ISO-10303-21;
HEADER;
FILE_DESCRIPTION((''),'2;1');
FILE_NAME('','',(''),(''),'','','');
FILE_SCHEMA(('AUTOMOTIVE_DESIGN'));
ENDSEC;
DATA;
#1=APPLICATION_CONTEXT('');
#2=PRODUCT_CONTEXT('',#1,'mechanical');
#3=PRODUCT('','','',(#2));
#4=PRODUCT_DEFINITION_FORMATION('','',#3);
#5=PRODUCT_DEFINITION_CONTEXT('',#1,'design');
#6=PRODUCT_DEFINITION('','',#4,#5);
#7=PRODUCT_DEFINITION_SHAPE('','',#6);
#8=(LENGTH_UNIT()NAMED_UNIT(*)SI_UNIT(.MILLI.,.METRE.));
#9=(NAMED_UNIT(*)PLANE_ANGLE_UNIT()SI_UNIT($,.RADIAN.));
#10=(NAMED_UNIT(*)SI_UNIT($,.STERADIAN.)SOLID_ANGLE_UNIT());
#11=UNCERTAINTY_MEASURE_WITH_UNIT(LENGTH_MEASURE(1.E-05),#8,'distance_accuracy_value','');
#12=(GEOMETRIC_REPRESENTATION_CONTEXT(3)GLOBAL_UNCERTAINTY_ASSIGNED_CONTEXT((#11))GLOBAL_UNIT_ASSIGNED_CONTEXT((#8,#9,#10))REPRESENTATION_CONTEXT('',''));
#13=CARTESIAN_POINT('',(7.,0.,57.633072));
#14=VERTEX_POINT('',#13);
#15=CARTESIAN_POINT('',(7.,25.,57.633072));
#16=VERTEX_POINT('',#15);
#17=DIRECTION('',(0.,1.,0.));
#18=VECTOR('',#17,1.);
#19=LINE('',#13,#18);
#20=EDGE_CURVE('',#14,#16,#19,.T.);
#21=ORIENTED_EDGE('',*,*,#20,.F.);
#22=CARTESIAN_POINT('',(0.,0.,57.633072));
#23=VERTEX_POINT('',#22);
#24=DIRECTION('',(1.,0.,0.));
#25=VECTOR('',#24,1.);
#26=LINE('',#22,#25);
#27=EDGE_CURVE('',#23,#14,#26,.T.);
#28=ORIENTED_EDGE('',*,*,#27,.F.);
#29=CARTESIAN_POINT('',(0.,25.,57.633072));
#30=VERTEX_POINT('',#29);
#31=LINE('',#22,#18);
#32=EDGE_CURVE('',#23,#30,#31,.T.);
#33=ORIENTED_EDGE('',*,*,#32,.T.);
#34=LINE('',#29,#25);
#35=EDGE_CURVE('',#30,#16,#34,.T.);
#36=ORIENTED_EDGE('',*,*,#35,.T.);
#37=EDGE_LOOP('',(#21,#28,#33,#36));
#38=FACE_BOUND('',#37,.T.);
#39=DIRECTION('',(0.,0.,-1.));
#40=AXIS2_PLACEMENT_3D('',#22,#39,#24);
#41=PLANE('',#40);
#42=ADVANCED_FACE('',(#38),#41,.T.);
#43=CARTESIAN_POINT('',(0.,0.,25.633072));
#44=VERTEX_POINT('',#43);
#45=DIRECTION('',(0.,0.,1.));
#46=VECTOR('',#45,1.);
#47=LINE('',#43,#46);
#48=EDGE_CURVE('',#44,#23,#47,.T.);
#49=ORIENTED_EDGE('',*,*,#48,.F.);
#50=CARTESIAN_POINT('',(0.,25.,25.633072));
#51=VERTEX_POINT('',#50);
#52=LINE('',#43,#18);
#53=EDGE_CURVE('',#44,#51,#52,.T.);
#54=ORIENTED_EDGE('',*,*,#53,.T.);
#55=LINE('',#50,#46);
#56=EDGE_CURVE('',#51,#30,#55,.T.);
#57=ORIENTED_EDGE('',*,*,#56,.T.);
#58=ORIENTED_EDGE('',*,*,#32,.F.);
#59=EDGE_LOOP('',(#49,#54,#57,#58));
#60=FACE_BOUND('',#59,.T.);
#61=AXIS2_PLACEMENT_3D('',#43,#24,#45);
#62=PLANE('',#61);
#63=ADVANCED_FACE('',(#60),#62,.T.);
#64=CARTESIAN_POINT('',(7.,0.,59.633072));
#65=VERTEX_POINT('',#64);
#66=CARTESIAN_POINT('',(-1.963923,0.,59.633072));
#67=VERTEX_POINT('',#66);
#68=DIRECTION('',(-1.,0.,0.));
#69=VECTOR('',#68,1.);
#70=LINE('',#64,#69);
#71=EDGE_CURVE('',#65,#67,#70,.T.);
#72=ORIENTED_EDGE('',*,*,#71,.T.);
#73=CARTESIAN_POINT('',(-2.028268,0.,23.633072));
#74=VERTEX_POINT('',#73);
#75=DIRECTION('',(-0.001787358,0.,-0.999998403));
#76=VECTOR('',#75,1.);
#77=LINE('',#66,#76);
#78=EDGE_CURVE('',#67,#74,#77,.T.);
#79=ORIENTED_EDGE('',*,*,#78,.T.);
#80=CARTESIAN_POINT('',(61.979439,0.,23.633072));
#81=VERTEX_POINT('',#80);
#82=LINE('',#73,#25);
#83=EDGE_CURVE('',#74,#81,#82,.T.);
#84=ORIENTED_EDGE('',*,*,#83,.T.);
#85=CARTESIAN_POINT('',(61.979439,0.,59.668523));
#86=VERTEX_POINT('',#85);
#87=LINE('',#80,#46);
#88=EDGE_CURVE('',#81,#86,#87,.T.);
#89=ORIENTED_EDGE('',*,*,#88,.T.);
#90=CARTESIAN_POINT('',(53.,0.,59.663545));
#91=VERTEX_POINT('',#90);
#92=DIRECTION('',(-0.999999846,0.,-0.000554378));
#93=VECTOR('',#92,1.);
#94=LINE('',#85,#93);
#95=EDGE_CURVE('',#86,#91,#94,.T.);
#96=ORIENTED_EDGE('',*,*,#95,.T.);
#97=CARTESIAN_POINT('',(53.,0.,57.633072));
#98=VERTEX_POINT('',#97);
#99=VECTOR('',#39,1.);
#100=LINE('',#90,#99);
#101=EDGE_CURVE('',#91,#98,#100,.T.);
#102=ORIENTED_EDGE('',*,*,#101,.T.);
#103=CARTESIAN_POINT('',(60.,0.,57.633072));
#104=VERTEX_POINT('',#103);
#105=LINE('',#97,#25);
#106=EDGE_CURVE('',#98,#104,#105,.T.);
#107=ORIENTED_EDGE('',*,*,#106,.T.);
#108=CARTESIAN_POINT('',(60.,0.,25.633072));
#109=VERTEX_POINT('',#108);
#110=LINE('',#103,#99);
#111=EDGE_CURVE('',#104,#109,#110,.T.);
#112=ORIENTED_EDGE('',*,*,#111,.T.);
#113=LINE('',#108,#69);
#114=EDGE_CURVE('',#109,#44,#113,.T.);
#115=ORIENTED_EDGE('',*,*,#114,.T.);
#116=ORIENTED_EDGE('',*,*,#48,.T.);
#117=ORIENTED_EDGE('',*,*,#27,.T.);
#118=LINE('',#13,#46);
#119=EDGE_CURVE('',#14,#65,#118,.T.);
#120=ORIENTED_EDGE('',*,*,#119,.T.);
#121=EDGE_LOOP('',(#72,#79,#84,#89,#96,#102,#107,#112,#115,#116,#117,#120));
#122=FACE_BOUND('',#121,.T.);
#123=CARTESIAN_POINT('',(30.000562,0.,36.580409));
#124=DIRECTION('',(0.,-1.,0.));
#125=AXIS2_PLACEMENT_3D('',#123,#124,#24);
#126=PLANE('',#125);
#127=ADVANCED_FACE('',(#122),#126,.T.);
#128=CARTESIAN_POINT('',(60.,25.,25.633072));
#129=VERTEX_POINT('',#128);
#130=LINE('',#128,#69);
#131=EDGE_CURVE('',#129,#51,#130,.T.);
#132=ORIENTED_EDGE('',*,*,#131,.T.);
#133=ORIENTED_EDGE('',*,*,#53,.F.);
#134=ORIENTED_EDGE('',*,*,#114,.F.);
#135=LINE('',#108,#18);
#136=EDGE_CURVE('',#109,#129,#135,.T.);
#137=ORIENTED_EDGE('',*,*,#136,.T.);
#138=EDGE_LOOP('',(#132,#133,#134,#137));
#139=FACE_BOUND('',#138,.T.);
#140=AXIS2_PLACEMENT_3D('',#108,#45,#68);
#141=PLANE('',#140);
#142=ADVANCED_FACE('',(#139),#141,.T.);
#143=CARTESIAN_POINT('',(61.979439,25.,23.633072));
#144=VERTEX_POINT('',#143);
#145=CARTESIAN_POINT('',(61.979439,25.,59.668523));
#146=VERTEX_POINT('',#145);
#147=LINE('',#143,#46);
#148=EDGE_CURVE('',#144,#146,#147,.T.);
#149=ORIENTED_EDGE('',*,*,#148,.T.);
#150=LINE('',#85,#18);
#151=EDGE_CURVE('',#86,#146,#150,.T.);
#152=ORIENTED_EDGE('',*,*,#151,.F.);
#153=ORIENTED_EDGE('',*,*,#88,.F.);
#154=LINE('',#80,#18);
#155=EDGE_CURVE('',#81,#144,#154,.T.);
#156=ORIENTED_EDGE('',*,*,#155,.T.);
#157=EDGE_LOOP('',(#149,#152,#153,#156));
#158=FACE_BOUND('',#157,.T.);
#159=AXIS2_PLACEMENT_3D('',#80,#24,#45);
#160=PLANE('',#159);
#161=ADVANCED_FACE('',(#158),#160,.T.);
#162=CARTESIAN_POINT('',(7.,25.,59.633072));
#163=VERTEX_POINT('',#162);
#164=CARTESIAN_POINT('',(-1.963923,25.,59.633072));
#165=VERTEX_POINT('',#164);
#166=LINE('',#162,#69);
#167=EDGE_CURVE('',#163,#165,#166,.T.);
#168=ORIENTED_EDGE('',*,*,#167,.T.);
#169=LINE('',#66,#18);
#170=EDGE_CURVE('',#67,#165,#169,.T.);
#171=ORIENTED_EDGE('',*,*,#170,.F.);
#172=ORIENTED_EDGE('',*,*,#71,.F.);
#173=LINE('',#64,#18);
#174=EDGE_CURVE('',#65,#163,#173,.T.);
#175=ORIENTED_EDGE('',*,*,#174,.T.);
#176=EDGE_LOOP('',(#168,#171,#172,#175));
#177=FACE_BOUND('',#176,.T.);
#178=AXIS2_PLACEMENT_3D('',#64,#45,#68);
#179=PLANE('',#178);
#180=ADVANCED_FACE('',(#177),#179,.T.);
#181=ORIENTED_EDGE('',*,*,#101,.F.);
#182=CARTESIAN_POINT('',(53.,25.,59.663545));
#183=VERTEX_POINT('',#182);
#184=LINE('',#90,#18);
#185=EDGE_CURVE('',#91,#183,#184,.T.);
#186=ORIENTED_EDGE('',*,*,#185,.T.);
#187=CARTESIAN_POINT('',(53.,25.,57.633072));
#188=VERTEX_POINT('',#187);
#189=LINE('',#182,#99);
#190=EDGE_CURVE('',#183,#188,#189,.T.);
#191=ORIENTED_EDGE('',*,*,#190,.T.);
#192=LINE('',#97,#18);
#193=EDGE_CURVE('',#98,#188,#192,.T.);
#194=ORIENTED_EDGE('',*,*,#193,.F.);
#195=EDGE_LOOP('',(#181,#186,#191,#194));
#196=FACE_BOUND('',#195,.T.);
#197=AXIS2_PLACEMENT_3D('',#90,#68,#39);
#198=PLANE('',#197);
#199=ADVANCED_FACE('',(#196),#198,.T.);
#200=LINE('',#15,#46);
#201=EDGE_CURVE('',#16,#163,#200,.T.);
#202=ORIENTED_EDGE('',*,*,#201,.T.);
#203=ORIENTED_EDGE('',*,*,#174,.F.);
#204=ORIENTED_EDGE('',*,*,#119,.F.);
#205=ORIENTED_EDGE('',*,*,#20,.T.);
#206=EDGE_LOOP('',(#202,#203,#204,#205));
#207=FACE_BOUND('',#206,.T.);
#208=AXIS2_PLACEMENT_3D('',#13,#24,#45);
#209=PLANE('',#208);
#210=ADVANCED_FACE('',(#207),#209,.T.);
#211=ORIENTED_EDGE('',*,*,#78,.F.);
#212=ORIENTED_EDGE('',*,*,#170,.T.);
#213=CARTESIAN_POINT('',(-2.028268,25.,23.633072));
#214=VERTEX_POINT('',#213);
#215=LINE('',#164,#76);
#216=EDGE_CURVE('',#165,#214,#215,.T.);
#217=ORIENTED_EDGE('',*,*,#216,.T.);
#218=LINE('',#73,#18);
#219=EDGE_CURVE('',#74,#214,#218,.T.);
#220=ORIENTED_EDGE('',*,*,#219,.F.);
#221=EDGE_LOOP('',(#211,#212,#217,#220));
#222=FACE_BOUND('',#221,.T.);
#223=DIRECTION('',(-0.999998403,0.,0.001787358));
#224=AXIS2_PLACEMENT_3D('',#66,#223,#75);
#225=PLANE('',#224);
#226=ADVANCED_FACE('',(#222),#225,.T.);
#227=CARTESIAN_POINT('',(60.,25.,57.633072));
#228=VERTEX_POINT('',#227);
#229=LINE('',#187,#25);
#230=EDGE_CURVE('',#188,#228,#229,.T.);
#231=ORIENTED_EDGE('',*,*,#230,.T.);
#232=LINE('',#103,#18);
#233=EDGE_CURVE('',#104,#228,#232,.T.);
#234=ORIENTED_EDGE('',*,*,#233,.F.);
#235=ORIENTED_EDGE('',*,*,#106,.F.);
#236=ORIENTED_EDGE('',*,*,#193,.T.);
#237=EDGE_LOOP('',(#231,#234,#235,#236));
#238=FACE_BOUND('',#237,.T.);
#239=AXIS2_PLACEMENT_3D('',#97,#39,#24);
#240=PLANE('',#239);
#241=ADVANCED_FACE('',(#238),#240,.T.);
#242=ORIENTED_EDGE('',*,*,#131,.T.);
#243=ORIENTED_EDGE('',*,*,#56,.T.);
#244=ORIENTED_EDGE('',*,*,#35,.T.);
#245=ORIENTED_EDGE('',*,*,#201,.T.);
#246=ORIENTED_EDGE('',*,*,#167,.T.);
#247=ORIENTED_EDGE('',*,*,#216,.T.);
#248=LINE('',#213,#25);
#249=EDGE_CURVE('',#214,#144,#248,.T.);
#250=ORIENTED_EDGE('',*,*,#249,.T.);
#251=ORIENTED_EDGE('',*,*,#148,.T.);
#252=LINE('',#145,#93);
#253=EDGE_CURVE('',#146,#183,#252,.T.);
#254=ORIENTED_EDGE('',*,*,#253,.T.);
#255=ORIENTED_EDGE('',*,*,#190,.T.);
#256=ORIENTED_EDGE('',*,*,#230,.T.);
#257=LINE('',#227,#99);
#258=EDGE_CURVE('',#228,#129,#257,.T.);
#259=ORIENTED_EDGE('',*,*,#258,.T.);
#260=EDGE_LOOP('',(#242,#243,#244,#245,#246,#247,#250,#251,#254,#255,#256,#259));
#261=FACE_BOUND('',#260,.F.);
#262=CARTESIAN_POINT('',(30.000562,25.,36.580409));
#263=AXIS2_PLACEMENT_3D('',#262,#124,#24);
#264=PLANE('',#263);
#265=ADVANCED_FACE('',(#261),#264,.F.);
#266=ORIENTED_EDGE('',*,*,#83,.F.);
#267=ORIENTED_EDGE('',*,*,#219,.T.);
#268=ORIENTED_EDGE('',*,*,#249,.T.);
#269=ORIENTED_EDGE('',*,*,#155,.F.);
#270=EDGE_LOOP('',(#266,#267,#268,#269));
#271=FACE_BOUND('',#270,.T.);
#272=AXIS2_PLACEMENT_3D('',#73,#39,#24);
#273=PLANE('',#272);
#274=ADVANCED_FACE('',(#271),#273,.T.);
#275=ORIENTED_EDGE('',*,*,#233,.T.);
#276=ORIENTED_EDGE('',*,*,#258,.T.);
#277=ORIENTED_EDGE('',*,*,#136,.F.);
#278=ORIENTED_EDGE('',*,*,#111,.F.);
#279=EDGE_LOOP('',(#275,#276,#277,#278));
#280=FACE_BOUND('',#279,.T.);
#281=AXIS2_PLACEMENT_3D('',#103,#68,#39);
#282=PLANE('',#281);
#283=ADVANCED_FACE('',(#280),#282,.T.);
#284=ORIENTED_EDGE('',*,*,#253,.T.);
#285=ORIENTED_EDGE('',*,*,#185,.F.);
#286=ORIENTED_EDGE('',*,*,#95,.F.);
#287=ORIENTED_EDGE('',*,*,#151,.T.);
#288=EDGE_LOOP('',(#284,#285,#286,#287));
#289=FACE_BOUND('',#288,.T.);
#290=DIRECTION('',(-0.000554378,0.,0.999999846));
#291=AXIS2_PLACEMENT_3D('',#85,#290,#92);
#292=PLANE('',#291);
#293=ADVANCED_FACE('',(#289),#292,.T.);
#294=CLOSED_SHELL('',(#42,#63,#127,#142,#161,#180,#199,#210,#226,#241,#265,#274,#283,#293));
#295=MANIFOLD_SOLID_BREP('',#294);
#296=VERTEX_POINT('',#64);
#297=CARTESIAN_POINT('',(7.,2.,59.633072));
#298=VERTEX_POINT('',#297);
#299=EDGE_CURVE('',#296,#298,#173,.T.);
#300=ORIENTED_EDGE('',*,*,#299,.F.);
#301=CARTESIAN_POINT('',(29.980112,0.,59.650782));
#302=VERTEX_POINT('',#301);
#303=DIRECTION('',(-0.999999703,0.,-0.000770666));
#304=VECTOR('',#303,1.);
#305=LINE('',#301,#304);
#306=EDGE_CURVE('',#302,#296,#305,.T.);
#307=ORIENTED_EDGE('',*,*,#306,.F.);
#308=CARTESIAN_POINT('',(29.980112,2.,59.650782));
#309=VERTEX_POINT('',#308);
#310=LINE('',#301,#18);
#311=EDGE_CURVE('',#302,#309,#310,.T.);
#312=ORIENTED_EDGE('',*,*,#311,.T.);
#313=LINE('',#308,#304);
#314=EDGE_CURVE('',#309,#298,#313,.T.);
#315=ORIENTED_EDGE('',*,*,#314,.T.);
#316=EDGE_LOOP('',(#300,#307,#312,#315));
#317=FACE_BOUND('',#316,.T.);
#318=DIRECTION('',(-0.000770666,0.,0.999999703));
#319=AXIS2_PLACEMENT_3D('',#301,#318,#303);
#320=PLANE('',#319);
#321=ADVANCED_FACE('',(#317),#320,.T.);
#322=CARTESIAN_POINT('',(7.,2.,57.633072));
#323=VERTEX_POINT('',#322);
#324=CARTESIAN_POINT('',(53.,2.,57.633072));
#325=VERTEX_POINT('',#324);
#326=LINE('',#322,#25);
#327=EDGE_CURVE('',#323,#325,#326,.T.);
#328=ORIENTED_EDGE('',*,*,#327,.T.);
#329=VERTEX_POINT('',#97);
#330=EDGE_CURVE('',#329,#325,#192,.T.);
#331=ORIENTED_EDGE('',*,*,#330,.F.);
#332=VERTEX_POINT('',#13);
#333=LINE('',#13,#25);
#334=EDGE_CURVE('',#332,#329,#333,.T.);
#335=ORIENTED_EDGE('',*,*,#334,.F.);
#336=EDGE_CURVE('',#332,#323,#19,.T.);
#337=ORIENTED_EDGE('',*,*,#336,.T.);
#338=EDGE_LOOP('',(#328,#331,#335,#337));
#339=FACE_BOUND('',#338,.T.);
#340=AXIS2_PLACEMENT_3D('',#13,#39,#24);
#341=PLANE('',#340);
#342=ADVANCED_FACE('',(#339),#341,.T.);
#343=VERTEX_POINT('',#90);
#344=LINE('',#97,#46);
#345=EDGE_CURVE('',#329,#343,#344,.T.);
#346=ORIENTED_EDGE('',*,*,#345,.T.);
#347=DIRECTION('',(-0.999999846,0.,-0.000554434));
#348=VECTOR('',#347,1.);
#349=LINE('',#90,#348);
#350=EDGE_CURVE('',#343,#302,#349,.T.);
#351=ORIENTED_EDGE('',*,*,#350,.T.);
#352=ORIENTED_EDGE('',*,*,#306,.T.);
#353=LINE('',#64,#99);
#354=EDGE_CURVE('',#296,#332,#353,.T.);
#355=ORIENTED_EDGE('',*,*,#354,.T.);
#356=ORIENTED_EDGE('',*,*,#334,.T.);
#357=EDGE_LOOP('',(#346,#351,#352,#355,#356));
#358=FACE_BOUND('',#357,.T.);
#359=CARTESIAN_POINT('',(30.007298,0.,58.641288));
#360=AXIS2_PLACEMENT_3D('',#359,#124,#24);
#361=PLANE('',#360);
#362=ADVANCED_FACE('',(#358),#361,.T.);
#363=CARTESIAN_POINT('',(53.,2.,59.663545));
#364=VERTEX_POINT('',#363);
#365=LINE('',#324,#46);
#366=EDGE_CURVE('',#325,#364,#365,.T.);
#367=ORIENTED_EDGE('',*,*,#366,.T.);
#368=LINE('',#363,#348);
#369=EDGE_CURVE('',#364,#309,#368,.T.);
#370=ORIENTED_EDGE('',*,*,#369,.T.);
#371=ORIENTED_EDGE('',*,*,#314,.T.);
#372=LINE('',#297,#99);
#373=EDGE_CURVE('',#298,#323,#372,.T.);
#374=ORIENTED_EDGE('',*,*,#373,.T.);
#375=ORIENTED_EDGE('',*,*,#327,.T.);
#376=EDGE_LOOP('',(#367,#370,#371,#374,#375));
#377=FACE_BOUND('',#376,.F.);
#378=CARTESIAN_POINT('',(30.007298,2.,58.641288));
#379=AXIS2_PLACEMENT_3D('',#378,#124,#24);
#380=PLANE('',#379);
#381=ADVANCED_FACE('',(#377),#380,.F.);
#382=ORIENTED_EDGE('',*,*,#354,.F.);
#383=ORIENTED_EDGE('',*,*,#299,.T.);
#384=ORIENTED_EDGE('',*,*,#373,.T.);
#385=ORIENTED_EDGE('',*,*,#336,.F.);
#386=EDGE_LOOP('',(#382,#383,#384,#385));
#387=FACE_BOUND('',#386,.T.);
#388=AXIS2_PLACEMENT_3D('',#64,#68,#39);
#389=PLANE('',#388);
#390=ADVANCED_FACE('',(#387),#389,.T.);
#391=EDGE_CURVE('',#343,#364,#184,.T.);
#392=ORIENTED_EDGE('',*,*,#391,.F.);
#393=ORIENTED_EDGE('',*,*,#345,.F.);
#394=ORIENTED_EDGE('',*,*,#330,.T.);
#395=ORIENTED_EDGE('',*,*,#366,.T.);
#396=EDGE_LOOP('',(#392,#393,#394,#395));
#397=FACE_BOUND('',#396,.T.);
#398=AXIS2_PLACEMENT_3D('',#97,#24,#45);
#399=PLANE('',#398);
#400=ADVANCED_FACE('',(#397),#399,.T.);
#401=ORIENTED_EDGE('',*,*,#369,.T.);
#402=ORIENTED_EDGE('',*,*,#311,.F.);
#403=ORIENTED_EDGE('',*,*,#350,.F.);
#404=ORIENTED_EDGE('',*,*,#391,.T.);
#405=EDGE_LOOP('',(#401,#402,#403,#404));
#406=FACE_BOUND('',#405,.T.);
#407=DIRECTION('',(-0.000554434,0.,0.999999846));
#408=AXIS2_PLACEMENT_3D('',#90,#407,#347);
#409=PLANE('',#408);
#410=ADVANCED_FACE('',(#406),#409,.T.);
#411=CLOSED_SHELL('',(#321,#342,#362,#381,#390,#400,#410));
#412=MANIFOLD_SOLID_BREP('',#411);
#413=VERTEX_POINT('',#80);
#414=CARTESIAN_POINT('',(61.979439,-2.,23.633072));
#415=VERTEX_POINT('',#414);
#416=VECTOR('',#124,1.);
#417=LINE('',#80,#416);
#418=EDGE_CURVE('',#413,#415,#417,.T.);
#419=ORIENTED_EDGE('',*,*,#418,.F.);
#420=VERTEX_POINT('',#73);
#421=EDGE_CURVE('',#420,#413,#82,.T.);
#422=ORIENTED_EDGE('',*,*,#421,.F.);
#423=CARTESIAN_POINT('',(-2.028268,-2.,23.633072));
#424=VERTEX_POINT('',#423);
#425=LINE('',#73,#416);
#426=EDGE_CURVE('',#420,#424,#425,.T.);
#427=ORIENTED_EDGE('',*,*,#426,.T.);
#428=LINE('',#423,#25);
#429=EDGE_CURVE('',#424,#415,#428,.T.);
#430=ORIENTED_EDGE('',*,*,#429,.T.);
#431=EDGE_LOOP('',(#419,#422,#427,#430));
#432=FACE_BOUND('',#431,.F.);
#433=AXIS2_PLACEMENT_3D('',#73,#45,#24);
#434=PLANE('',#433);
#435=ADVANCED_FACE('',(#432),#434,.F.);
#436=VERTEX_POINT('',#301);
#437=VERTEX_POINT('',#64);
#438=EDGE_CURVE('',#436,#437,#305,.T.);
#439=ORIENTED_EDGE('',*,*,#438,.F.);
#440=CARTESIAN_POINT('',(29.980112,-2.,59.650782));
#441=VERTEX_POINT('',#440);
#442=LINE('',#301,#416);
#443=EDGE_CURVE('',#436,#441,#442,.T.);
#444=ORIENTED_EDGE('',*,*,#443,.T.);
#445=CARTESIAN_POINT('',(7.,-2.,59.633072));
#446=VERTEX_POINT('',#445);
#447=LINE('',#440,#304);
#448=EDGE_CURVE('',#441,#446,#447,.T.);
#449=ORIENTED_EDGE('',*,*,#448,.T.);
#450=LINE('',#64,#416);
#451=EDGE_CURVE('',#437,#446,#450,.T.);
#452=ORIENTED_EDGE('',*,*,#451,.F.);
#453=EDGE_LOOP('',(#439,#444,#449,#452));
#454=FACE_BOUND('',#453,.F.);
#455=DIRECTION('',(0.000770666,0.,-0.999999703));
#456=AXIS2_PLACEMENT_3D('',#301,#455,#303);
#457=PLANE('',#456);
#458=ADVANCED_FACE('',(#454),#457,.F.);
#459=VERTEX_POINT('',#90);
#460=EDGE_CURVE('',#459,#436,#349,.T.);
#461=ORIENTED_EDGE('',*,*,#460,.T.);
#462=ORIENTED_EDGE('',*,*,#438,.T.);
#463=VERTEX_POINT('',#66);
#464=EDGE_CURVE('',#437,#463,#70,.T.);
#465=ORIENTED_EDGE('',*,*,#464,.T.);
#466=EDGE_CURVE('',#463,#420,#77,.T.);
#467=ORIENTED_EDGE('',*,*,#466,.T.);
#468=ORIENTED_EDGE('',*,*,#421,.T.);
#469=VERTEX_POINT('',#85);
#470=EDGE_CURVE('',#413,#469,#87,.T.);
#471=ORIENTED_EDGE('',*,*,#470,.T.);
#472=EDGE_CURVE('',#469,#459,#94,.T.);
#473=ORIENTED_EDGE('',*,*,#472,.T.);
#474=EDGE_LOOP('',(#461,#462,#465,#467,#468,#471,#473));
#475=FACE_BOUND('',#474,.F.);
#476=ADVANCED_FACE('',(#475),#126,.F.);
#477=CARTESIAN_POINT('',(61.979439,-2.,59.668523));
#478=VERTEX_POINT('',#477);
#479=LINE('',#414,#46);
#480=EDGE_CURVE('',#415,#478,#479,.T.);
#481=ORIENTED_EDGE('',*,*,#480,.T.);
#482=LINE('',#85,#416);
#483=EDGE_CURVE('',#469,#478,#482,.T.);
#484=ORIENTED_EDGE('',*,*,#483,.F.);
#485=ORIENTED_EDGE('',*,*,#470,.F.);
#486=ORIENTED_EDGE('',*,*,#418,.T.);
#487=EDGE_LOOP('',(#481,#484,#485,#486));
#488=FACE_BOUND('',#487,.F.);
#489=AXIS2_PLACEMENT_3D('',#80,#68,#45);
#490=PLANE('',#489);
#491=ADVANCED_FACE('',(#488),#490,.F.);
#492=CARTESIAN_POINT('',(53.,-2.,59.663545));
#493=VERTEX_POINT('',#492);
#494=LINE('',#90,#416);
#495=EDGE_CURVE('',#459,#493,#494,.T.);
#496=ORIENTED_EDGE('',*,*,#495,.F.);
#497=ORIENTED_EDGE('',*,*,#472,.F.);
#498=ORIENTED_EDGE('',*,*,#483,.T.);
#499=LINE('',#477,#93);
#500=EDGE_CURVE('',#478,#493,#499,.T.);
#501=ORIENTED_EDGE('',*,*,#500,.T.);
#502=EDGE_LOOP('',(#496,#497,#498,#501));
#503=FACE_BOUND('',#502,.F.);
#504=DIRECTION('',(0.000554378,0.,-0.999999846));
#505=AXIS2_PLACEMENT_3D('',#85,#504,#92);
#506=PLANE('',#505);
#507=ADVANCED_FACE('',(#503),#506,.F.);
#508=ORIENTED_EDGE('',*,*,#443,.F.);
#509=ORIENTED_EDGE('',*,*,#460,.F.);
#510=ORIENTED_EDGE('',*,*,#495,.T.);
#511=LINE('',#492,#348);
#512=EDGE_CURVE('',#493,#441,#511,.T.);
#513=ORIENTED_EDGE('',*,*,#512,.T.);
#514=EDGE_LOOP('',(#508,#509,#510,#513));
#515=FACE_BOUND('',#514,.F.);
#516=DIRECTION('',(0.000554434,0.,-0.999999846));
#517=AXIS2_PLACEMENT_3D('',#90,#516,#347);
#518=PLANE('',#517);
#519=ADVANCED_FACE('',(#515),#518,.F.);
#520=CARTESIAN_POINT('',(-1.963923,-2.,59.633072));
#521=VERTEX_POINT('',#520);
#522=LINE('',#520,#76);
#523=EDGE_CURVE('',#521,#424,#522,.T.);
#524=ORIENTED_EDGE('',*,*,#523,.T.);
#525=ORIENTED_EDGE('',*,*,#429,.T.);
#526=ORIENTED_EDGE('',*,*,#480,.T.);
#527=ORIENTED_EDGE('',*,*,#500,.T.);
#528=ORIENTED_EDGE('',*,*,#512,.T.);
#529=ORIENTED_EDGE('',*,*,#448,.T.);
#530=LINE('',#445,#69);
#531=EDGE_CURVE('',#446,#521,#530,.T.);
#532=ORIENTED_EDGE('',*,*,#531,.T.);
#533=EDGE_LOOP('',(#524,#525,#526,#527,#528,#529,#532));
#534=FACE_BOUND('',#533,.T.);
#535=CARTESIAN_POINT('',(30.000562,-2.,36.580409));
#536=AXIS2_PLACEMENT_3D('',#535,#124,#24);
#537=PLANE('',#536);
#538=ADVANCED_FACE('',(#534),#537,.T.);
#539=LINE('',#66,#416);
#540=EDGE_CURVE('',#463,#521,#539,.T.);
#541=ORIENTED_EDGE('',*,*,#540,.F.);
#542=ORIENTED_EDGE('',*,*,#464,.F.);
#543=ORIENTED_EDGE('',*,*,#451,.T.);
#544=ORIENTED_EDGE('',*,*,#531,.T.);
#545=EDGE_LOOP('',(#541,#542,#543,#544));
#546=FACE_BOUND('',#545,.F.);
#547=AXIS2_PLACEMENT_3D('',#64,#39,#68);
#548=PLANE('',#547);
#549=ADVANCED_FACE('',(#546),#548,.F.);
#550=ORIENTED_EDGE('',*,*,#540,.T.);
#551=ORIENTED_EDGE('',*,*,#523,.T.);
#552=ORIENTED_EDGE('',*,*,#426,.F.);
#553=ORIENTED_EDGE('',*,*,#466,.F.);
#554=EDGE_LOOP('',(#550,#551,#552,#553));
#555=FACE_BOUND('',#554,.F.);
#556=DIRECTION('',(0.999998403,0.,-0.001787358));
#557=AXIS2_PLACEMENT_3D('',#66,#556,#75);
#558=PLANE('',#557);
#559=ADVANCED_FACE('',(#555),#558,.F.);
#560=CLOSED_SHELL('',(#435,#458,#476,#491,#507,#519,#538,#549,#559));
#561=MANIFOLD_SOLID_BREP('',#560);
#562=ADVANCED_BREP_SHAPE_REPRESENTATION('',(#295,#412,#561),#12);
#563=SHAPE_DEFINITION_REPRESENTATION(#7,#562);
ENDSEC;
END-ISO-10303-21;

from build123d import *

# Parameters (mm, degrees)
F1_DEPTH = 2
F2_DEPTH = 2
F3_DEPTH = 25


with BuildPart() as f1:
    # F0 (on Front) → F1 (new body)
    with BuildSketch(Plane.XZ):
        Polygon((7, 59.633072), (7, 57.633072), (53, 57.633072), (53, 59.663545), (29.980112, 59.650782), align=None)
    extrude(amount=-F1_DEPTH)


with BuildPart() as f2:
    # F0 (on Front) → F2 (new body)
    with BuildSketch(Plane.XZ):
        Polygon((60, 25.633072), (0, 25.633072), (0, 57.633072), (7, 57.633072), (7, 59.633072), (-1.963923, 59.633072), (-2.028268, 23.633072), (61.979439, 23.633072), (61.979439, 59.668523), (53, 59.663545), (53, 57.633072), (60, 57.633072), align=None)
        Polygon((7, 59.633072), (7, 57.633072), (53, 57.633072), (53, 59.663545), (29.980112, 59.650782), align=None)
        Polygon((0, 57.633072), (0, 25.633072), (60, 25.633072), (60, 57.633072), (53, 57.633072), (7, 57.633072), align=None)
    extrude(amount=F2_DEPTH)


with BuildPart() as f3:
    # F0 (on Front) → F3 (new body)
    with BuildSketch(Plane.XZ):
        Polygon((60, 25.633072), (0, 25.633072), (0, 57.633072), (7, 57.633072), (7, 59.633072), (-1.963923, 59.633072), (-2.028268, 23.633072), (61.979439, 23.633072), (61.979439, 59.668523), (53, 59.663545), (53, 57.633072), (60, 57.633072), align=None)
    extrude(amount=-F3_DEPTH)


solid = Compound([f1.part, f2.part, f3.part])
